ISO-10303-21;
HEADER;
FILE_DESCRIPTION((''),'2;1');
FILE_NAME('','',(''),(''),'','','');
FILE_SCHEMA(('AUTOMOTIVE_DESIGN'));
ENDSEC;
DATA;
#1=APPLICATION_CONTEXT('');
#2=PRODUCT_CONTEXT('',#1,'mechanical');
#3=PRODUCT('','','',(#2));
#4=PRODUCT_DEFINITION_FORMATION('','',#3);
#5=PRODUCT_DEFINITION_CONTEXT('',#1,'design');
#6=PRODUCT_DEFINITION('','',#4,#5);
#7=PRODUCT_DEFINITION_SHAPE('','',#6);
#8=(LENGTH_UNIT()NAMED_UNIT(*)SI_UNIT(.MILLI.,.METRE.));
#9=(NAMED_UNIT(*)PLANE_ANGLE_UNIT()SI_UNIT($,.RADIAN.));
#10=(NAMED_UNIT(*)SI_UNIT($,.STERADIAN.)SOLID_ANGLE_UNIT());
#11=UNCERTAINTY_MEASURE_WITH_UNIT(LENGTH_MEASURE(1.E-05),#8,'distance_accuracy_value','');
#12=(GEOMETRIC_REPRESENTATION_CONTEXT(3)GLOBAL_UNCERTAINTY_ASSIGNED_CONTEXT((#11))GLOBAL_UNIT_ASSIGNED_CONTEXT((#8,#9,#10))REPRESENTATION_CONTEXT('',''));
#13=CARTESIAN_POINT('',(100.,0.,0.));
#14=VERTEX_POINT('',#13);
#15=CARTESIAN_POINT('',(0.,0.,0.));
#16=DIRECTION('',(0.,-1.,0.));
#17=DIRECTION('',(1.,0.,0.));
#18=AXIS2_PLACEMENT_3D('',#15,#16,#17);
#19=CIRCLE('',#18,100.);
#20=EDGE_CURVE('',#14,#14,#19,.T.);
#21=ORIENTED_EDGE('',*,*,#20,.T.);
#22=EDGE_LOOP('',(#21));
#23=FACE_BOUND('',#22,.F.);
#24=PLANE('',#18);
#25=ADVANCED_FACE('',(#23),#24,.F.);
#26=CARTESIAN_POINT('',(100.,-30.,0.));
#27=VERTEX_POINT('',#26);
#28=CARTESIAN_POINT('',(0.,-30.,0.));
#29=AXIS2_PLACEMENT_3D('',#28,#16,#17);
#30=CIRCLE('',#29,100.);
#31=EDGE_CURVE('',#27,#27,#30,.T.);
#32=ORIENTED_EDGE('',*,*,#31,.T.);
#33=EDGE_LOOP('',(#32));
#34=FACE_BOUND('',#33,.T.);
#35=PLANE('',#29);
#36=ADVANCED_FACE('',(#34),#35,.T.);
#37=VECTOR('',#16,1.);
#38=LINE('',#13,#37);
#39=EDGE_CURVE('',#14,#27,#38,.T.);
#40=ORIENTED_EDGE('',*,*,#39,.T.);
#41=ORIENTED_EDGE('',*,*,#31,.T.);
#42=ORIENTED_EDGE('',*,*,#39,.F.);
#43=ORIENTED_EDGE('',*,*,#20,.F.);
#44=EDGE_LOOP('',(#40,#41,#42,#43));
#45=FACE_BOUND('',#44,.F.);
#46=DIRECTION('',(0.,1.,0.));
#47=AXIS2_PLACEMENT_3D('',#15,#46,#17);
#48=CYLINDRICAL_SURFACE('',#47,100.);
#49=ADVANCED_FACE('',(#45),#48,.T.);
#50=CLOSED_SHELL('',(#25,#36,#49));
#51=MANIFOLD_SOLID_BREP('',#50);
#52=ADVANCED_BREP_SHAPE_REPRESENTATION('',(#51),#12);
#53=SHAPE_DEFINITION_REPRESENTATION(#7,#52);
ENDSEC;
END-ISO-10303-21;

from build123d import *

# Parameters (mm, degrees)
F0_R     = 100
F1_DEPTH = 30
F3_DEPTH = 30


with BuildPart() as f1:
    # F0 (on Front) → F1 (new body)
    with BuildSketch(Plane.XZ):
        Circle(F0_R)
    extrude(amount=F1_DEPTH)

    # F2 (on face) → F3 (join)
    with BuildSketch(Plane.XZ.offset(30)):
        Polygon((-5, 81.833887), (0, 81.833887), (5, 81.833887), (6.828297, 87.184819), (13.5, 97.833887), (0, 97.833887), (-13.5, 97.833887), (-6.828297, 87.184819), align=None)
    extrude(amount=-F3_DEPTH)


solid = f1.part
